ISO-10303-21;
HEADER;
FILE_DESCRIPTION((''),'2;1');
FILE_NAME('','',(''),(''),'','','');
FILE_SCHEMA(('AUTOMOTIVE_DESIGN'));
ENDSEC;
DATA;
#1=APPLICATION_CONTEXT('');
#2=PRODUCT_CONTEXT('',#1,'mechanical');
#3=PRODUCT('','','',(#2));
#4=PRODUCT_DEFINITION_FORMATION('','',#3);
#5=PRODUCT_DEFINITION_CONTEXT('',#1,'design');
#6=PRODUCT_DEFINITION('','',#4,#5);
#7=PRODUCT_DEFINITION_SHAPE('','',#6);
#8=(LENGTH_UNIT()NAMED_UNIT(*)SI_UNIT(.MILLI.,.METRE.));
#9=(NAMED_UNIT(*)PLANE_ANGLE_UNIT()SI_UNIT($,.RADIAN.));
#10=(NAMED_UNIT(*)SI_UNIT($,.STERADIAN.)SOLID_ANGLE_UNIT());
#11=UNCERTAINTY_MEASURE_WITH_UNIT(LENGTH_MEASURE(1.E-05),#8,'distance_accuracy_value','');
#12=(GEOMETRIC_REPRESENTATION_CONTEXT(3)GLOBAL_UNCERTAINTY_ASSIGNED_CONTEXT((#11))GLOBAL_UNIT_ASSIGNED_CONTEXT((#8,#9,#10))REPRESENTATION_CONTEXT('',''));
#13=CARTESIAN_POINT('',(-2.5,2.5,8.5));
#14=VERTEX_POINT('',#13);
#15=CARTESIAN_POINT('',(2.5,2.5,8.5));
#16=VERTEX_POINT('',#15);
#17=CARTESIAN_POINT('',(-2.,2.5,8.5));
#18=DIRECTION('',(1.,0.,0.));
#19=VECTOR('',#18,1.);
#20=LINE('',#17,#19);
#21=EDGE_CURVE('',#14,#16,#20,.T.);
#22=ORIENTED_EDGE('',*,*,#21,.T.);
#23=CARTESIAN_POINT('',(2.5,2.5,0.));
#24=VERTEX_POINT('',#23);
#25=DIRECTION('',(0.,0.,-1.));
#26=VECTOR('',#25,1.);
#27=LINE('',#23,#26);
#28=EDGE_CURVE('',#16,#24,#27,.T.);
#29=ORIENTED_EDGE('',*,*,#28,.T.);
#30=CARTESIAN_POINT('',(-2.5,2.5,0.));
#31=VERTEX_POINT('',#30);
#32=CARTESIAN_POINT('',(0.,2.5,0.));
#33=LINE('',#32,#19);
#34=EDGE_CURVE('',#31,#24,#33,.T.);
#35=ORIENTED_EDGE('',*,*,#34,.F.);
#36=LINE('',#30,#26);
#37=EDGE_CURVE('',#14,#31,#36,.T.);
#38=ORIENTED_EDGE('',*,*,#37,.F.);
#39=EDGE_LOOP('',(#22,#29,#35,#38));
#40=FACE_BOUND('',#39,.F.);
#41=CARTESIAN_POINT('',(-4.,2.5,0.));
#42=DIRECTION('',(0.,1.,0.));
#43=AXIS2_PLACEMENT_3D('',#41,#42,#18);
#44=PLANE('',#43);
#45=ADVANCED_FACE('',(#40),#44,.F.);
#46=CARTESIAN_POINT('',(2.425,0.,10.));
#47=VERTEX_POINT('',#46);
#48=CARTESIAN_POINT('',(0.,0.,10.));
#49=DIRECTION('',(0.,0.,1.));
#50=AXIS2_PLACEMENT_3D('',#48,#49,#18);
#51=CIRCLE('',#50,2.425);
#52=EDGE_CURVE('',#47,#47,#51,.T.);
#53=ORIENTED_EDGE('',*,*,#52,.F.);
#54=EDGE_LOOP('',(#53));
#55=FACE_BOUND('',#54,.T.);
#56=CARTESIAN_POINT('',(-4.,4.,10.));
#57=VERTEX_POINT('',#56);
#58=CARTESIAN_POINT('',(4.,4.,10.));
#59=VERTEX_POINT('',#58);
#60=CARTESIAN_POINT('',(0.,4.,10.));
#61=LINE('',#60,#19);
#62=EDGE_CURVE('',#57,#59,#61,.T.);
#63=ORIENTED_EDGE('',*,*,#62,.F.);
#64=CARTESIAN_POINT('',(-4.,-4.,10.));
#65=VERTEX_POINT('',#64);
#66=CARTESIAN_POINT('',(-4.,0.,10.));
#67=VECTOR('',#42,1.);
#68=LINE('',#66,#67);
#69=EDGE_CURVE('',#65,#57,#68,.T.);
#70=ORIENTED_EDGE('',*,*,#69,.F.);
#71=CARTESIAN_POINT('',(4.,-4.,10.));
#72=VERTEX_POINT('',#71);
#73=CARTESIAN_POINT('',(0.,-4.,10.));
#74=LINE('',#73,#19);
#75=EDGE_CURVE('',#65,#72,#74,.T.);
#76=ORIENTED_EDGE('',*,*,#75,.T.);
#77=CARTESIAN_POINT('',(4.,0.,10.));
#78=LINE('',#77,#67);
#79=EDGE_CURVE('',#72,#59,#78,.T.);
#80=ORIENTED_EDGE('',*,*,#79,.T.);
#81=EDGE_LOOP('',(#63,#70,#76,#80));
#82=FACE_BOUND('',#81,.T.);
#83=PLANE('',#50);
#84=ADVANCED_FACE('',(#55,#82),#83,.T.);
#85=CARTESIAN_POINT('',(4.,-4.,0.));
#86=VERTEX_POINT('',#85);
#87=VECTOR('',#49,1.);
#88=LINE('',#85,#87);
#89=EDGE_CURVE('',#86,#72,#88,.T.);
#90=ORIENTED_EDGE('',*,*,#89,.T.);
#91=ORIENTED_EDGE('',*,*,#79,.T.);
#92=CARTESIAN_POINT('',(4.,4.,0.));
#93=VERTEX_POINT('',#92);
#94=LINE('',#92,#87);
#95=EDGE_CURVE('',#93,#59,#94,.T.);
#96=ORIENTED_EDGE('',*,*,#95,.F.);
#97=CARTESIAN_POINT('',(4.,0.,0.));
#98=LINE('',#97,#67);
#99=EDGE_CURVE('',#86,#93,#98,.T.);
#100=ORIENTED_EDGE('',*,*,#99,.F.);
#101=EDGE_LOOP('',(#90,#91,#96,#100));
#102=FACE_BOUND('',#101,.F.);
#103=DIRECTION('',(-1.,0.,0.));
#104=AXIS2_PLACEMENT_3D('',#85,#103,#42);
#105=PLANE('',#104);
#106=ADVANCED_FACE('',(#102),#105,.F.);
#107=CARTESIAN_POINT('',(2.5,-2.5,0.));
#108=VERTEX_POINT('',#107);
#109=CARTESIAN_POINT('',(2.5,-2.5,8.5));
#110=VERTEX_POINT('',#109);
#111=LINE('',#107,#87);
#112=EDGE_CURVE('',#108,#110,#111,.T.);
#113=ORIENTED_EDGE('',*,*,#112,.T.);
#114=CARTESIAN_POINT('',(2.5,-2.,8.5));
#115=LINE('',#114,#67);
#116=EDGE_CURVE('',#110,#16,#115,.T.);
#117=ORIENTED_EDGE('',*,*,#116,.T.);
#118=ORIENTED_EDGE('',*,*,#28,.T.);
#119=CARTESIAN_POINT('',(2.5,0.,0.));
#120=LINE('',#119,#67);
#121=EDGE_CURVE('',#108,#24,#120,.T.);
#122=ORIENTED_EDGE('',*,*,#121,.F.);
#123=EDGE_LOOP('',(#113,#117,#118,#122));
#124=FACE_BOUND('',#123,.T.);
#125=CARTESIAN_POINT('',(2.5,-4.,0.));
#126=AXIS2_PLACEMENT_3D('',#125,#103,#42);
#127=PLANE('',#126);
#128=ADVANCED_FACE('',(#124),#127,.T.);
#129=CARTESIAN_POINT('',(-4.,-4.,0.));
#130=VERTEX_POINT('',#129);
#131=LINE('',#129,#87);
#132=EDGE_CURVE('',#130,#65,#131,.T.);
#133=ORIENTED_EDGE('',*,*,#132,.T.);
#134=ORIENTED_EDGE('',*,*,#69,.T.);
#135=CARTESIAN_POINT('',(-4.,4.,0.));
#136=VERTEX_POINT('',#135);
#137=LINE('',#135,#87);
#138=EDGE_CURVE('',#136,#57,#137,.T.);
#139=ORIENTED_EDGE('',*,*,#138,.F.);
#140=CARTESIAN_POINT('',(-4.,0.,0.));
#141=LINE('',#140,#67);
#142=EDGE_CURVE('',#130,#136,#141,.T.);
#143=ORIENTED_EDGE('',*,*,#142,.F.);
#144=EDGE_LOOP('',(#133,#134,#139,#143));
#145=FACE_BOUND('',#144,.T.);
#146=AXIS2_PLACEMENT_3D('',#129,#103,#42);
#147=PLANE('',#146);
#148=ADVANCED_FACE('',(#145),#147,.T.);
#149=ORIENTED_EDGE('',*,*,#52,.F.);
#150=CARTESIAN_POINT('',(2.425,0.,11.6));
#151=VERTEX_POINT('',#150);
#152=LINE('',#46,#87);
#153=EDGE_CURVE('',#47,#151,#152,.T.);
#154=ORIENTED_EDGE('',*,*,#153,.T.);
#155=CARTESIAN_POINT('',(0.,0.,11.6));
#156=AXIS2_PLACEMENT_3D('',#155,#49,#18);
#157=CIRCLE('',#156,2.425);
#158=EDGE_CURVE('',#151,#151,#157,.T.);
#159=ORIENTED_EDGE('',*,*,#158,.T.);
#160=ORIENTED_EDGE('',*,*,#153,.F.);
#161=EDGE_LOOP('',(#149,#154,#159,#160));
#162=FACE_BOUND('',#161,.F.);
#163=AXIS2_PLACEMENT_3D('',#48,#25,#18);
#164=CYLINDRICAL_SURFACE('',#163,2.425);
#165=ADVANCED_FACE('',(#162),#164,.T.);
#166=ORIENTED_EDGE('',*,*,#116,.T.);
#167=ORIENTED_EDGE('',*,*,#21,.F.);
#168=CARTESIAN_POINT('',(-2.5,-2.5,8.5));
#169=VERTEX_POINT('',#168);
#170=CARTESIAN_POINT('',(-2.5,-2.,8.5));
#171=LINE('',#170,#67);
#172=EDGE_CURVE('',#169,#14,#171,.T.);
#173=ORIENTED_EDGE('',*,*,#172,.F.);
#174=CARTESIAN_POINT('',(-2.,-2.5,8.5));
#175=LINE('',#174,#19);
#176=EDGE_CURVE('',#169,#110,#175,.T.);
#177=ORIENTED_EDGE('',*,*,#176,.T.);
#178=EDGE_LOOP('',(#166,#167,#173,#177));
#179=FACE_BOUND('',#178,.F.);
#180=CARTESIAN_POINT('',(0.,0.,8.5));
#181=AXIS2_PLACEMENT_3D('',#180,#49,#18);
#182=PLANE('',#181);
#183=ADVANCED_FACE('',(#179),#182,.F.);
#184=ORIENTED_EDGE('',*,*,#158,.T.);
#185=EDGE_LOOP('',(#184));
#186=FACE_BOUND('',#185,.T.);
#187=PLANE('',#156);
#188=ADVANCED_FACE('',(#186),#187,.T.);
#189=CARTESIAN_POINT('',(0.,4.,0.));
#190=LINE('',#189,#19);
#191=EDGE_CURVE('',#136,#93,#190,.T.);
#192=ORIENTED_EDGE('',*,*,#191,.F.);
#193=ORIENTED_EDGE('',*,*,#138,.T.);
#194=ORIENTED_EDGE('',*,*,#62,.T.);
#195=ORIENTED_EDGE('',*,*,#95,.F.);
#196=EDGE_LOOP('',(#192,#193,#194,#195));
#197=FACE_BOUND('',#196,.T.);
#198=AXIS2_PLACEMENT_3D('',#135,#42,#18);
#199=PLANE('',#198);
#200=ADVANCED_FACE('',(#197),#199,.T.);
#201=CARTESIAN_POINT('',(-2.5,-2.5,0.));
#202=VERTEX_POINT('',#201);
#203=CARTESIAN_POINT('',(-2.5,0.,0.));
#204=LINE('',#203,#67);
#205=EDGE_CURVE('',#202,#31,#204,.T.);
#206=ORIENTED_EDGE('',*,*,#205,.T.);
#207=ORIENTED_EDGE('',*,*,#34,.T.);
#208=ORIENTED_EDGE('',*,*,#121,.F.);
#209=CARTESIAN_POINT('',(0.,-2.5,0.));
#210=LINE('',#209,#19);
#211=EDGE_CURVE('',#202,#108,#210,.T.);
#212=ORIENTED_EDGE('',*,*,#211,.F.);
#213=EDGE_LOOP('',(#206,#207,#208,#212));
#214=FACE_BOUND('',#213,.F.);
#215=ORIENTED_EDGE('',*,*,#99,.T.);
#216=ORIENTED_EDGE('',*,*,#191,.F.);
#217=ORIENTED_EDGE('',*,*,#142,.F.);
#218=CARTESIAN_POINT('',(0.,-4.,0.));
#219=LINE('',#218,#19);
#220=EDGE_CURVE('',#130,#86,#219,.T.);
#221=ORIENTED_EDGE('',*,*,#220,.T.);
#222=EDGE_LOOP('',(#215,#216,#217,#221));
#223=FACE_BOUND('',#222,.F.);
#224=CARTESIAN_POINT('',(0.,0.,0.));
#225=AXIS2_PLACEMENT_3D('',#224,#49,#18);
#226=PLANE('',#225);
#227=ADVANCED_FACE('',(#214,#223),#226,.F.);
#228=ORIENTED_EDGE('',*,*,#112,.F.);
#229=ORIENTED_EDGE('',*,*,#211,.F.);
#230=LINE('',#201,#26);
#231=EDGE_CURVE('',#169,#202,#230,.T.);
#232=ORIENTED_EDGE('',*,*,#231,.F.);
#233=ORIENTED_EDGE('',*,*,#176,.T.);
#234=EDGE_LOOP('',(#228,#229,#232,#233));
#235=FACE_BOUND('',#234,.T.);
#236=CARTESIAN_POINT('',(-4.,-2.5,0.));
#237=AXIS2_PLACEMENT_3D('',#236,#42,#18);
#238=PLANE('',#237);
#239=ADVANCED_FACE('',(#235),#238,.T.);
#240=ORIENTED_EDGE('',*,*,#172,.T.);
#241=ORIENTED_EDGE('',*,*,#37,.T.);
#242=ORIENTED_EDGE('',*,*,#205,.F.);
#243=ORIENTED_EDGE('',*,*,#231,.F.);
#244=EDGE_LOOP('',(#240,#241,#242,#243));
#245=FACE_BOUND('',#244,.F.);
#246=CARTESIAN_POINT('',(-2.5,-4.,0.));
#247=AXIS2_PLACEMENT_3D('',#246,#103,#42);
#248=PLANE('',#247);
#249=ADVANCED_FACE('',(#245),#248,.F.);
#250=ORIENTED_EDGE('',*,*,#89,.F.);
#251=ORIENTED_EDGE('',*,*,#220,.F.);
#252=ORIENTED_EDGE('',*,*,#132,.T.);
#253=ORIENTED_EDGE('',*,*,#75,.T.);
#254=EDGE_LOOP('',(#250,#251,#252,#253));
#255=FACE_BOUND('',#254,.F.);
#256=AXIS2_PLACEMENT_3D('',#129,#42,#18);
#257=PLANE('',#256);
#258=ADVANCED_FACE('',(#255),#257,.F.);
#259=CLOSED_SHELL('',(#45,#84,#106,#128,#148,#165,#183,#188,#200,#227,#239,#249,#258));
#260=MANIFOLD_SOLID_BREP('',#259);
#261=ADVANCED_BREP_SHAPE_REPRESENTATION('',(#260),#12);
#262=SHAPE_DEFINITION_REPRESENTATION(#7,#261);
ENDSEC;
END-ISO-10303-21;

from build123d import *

# Parameters (mm, degrees)
F0_W     = 8
F0_H     = 8
F1_DEPTH = 10
F2_T     = -1.5
F3_R     = 2.425
F4_DEPTH = 1.6


with BuildPart() as f1:
    # F0 (on Top) → F1 (new body)
    with BuildSketch(Plane.XY):
        Rectangle(F0_W, F0_H)
    extrude(amount=F1_DEPTH)

    # F2
    f2_openings = [f1.faces().sort_by_distance(p)[0] for p in [
        (0, 0, 0),
    ]]
    offset(amount=F2_T, openings=f2_openings)

    # F3 (on face) → F4 (join)
    with BuildSketch(Plane.XY.offset(10)):
        Circle(F3_R)
    extrude(amount=F4_DEPTH)


solid = f1.part
